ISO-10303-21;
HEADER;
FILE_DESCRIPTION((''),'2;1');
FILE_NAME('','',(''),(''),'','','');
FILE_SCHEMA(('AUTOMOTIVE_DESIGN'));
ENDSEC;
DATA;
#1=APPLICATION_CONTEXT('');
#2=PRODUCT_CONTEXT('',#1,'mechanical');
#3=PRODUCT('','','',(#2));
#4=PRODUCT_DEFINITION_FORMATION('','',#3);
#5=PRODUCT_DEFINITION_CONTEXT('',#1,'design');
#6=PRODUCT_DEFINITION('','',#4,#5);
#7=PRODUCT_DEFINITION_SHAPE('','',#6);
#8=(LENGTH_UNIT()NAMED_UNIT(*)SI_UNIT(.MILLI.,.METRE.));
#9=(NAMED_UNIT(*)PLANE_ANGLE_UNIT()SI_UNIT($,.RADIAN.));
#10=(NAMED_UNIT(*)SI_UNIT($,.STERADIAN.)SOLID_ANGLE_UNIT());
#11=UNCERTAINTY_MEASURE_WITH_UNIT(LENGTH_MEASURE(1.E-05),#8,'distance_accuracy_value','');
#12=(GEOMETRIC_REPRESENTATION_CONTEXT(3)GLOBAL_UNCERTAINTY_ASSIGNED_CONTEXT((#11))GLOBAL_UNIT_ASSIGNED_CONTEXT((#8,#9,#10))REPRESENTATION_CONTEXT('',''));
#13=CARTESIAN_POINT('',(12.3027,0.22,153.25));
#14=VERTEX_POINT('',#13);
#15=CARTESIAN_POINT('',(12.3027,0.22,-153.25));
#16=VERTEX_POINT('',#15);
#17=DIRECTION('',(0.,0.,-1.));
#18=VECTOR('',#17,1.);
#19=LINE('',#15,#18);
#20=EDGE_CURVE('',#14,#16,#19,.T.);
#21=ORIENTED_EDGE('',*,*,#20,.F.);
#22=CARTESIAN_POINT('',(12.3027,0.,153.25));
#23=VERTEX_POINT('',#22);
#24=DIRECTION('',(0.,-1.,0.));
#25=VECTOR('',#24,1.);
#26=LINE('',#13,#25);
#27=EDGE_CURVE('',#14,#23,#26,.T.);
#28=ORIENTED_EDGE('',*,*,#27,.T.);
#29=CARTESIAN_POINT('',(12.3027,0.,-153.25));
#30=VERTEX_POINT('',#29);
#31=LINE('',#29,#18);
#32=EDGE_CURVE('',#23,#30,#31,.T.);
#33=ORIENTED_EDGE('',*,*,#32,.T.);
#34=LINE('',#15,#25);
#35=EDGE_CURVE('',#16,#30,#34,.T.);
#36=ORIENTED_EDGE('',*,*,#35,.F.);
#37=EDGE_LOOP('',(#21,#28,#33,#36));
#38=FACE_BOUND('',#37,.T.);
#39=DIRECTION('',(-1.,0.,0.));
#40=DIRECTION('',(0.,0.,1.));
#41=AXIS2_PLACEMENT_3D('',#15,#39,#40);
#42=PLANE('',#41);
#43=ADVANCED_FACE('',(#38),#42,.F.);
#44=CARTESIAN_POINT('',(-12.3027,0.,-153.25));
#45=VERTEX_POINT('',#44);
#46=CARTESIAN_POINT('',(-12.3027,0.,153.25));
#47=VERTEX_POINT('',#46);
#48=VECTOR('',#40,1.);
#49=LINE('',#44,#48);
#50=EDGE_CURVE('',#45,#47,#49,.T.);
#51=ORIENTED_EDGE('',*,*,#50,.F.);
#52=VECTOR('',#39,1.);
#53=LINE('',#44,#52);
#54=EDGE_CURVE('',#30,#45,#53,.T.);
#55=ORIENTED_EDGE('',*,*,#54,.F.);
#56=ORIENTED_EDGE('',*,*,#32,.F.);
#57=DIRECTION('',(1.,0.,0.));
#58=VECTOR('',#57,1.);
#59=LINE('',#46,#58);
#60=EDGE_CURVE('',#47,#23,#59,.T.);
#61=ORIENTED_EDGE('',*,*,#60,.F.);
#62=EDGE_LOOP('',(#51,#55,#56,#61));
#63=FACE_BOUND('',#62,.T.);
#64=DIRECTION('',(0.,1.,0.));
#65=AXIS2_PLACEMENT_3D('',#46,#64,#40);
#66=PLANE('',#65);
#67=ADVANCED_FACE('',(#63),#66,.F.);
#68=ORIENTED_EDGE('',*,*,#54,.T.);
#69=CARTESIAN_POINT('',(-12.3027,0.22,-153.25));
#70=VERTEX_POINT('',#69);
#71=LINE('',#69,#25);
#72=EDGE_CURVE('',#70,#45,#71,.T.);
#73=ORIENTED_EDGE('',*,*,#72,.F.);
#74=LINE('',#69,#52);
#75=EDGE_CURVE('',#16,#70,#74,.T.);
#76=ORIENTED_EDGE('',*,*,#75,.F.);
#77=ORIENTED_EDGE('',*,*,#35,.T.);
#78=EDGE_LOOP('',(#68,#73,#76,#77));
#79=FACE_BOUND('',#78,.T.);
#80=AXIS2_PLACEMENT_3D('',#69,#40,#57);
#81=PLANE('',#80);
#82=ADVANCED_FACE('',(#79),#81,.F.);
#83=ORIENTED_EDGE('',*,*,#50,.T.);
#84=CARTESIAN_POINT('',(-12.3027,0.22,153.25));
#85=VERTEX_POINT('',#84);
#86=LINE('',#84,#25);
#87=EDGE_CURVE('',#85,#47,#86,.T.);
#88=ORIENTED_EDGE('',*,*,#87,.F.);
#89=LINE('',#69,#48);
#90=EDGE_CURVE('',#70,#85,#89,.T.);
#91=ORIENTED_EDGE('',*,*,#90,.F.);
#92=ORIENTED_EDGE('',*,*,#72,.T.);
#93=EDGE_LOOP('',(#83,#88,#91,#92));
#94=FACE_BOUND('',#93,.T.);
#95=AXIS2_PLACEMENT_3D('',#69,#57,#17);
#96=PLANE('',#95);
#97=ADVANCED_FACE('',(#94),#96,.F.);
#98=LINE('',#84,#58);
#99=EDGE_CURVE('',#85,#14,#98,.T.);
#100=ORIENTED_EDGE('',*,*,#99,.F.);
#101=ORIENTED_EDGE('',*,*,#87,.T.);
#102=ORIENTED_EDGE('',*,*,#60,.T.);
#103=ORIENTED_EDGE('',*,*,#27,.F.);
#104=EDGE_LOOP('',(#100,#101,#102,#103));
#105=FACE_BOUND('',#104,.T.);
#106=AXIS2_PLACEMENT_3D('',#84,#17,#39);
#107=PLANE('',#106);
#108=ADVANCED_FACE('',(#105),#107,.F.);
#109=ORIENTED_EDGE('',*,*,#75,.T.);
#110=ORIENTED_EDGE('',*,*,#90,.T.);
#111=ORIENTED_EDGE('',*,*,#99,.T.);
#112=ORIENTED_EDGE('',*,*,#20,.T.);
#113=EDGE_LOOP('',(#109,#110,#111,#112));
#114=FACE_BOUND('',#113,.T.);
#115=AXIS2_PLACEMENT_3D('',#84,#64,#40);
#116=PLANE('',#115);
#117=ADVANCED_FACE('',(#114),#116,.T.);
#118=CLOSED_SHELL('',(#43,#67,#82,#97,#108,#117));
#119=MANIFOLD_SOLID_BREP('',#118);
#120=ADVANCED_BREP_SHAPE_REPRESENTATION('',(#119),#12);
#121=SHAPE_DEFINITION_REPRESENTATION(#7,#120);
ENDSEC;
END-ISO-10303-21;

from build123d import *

# Parameters (mm, degrees)
SKETCH1_W      = 24.6054
SKETCH1_H      = 306.5
EXTRUDE1_DEPTH = 0.22


with BuildPart() as part:
    # Sketch1 → Extrude1 (new body)
    with BuildSketch(Plane(origin=(0, 0, 0), x_dir=(1, 0, 0), z_dir=(0, 1, 0))):
        Rectangle(SKETCH1_W, SKETCH1_H)
    extrude(amount=EXTRUDE1_DEPTH)


solid = part.part
